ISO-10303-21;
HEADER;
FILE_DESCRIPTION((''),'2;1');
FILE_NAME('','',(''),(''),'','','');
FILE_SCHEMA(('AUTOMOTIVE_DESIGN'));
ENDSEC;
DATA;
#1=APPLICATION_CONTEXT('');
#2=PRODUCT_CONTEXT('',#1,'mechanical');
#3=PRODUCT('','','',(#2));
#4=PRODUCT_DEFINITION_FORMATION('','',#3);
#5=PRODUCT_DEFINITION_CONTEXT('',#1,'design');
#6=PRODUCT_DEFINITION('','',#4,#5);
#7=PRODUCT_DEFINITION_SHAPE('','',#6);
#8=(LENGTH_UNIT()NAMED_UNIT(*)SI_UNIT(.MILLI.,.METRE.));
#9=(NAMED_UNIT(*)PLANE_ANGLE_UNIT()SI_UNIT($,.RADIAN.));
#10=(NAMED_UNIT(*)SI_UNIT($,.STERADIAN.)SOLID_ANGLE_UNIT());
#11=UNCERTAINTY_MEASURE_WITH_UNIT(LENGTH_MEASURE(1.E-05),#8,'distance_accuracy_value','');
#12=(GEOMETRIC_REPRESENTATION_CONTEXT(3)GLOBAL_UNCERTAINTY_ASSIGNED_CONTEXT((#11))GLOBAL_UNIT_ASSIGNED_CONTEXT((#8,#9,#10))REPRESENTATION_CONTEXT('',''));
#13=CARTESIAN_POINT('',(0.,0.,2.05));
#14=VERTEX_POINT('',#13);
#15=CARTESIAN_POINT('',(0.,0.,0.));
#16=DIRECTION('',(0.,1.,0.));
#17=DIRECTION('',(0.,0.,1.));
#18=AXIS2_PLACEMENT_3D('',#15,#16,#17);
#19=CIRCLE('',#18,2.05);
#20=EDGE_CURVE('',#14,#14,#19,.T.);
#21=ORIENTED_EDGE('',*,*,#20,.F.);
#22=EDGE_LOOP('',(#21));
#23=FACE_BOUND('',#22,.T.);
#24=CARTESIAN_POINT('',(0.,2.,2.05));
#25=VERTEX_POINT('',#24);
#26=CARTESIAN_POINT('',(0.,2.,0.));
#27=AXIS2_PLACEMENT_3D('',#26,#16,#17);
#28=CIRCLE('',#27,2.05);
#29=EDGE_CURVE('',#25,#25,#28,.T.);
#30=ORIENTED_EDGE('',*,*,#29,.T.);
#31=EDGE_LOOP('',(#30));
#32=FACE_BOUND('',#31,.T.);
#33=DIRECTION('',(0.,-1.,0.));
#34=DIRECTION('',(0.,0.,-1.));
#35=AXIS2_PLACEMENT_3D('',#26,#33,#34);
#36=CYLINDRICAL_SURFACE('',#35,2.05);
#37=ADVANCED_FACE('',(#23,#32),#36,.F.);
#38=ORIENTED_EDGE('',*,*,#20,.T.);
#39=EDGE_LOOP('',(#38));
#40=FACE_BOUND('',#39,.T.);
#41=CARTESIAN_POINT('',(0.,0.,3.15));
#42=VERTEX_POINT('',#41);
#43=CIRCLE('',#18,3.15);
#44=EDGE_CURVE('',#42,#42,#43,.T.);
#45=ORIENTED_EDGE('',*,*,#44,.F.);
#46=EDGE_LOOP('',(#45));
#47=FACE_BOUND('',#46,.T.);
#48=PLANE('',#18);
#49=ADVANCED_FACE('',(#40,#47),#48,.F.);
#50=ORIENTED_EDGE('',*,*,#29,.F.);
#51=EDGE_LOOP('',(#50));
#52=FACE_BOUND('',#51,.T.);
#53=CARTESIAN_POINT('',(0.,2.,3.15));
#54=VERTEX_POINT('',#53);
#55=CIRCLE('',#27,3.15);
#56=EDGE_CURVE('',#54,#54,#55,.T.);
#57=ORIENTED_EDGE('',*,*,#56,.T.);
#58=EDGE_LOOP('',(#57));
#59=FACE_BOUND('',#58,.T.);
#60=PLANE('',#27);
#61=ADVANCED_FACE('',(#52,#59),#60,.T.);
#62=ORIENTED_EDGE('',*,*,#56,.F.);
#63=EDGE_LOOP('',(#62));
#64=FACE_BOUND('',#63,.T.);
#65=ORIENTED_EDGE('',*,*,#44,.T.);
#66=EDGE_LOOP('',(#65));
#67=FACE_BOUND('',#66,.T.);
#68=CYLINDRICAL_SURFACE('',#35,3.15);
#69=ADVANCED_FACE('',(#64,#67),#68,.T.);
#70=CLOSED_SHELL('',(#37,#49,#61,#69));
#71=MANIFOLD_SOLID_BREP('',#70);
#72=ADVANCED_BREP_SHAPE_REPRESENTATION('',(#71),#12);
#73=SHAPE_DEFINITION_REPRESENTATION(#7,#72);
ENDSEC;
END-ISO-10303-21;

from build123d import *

# Parameters (mm, degrees)
SKETCH1_R           = 3.15
SKETCH1_R_2         = 2.05
BOSS_EXTRUDE1_DEPTH = 2


with BuildPart() as part:
    # Sketch1 → Boss-Extrude1 (new body)
    with BuildSketch(Plane(origin=(0, 0, 0), x_dir=(1, 0, 0), z_dir=(0, 1, 0))):
        with Locations(Location((0, 0, 0), (0, 0, 270))):
            Circle(SKETCH1_R)
        with Locations(Location((0, 0, 0), (0, 0, 270))):
            Circle(SKETCH1_R_2, mode=Mode.SUBTRACT)
    extrude(amount=BOSS_EXTRUDE1_DEPTH)


solid = part.part
